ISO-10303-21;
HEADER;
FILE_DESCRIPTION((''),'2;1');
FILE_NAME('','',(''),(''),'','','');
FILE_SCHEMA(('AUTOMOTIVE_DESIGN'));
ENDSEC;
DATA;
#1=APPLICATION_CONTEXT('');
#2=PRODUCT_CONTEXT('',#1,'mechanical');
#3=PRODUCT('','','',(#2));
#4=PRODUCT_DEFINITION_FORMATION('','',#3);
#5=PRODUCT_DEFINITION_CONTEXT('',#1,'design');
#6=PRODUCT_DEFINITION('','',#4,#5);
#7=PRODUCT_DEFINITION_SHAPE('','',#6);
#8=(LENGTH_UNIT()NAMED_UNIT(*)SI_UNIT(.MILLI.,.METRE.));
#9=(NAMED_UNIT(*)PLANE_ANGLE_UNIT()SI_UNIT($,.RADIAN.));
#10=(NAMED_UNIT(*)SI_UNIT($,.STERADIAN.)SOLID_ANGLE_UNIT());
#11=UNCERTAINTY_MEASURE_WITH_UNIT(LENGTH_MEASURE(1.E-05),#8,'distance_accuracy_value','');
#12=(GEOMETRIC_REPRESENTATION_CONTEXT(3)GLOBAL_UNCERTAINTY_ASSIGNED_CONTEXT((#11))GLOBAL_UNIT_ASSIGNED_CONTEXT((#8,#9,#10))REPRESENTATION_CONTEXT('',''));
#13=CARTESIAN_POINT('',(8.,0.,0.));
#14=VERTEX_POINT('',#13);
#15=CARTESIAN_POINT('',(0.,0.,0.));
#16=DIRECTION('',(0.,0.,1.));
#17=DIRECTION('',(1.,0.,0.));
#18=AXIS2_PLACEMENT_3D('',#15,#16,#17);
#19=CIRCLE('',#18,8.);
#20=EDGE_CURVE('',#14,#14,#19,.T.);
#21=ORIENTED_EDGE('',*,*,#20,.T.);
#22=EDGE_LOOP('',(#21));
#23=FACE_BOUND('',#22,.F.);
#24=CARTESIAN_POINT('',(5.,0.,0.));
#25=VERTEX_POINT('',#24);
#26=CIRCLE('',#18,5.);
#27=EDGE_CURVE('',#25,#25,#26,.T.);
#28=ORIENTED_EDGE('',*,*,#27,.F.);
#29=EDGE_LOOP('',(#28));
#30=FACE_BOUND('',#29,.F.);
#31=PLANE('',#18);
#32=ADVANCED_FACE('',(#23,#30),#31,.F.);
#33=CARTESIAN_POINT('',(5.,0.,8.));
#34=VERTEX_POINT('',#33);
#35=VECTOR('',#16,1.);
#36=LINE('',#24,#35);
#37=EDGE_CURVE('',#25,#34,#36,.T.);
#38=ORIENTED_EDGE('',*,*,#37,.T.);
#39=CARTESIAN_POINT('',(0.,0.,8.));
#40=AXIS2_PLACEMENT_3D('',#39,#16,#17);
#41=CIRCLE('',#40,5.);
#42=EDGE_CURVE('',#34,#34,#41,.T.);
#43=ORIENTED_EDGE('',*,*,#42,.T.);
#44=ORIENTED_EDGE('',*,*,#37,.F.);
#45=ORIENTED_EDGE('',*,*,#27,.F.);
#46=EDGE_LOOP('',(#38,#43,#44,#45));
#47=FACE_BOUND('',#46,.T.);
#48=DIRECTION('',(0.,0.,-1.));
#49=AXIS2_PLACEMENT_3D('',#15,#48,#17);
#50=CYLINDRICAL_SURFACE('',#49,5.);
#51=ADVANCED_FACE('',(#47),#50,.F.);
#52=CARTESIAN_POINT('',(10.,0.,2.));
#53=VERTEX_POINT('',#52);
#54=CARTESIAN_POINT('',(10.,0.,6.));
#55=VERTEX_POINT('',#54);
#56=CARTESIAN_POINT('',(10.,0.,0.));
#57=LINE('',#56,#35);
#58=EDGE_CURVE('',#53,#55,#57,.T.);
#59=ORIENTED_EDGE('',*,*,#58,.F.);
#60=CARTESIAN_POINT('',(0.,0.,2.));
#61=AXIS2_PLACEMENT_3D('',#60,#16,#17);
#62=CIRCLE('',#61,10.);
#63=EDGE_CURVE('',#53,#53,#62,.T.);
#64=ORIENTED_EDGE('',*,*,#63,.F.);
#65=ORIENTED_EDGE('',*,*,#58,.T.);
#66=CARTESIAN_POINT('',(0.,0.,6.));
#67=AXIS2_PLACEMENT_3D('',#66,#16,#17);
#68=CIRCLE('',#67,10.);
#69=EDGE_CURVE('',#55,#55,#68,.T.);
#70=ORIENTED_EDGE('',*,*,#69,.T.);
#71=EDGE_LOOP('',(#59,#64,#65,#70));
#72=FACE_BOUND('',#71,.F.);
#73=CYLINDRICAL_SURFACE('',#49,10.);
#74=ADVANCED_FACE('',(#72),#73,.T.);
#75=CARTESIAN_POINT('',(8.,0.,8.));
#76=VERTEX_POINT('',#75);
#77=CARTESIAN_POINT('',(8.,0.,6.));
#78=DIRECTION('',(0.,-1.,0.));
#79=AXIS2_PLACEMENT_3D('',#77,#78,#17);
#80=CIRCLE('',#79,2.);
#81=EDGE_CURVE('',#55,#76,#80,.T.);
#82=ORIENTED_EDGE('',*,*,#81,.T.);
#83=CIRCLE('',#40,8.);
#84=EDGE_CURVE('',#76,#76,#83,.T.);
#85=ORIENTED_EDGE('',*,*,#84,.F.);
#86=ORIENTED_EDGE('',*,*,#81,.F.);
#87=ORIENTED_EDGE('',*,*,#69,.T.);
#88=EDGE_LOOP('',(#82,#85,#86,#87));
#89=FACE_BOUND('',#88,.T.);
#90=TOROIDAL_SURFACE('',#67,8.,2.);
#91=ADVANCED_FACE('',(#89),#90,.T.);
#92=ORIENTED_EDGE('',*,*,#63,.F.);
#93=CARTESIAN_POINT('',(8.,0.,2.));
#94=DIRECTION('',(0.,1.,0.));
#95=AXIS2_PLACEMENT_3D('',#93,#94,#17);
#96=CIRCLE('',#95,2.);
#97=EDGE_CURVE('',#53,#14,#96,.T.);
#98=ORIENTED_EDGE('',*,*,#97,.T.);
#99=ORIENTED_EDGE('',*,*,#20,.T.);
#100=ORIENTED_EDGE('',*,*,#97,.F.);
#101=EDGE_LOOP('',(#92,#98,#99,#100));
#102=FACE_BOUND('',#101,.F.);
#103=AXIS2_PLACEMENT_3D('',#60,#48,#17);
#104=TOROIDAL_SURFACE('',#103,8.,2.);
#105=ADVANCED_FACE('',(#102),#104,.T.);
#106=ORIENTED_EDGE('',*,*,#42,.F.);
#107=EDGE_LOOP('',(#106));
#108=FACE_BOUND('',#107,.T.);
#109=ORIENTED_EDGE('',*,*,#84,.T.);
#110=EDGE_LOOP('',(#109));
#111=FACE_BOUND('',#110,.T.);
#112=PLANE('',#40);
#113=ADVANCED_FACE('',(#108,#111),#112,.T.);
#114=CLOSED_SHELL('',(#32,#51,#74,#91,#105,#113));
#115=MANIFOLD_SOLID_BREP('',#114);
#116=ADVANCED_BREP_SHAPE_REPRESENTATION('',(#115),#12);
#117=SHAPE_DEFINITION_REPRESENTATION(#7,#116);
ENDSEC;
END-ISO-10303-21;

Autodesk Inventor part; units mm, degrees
ref_plane "YZ Plane" through (0, 0, 0) normal (1, 0, 0) x (0, 1, 0)
ref_plane "XZ Plane" through (0, 0, 0) normal (0, 1, 0) x (-1, 0, 0)
ref_plane "XY Plane" through (0, 0, 0) normal (0, 0, 1) x (1, 0, 0)
sketch "Skizze3" plane through (0, 0, 0) normal (0, 0, 1) x (1, 0, 0)
  circle A0 centre (0, 0) radius 10
  circle A1 centre (0, 0) radius 5
  dimension "d4" = 10
  dimension "d5" = 20
extrude "Extrusion3" add sketch "Skizze3" along normal blind 8
fillet "Rundung1" radius 2 2 edges at (-10, 0, 8) (-10, 0, 0)
properties part number "BT101_trajan20_21"
